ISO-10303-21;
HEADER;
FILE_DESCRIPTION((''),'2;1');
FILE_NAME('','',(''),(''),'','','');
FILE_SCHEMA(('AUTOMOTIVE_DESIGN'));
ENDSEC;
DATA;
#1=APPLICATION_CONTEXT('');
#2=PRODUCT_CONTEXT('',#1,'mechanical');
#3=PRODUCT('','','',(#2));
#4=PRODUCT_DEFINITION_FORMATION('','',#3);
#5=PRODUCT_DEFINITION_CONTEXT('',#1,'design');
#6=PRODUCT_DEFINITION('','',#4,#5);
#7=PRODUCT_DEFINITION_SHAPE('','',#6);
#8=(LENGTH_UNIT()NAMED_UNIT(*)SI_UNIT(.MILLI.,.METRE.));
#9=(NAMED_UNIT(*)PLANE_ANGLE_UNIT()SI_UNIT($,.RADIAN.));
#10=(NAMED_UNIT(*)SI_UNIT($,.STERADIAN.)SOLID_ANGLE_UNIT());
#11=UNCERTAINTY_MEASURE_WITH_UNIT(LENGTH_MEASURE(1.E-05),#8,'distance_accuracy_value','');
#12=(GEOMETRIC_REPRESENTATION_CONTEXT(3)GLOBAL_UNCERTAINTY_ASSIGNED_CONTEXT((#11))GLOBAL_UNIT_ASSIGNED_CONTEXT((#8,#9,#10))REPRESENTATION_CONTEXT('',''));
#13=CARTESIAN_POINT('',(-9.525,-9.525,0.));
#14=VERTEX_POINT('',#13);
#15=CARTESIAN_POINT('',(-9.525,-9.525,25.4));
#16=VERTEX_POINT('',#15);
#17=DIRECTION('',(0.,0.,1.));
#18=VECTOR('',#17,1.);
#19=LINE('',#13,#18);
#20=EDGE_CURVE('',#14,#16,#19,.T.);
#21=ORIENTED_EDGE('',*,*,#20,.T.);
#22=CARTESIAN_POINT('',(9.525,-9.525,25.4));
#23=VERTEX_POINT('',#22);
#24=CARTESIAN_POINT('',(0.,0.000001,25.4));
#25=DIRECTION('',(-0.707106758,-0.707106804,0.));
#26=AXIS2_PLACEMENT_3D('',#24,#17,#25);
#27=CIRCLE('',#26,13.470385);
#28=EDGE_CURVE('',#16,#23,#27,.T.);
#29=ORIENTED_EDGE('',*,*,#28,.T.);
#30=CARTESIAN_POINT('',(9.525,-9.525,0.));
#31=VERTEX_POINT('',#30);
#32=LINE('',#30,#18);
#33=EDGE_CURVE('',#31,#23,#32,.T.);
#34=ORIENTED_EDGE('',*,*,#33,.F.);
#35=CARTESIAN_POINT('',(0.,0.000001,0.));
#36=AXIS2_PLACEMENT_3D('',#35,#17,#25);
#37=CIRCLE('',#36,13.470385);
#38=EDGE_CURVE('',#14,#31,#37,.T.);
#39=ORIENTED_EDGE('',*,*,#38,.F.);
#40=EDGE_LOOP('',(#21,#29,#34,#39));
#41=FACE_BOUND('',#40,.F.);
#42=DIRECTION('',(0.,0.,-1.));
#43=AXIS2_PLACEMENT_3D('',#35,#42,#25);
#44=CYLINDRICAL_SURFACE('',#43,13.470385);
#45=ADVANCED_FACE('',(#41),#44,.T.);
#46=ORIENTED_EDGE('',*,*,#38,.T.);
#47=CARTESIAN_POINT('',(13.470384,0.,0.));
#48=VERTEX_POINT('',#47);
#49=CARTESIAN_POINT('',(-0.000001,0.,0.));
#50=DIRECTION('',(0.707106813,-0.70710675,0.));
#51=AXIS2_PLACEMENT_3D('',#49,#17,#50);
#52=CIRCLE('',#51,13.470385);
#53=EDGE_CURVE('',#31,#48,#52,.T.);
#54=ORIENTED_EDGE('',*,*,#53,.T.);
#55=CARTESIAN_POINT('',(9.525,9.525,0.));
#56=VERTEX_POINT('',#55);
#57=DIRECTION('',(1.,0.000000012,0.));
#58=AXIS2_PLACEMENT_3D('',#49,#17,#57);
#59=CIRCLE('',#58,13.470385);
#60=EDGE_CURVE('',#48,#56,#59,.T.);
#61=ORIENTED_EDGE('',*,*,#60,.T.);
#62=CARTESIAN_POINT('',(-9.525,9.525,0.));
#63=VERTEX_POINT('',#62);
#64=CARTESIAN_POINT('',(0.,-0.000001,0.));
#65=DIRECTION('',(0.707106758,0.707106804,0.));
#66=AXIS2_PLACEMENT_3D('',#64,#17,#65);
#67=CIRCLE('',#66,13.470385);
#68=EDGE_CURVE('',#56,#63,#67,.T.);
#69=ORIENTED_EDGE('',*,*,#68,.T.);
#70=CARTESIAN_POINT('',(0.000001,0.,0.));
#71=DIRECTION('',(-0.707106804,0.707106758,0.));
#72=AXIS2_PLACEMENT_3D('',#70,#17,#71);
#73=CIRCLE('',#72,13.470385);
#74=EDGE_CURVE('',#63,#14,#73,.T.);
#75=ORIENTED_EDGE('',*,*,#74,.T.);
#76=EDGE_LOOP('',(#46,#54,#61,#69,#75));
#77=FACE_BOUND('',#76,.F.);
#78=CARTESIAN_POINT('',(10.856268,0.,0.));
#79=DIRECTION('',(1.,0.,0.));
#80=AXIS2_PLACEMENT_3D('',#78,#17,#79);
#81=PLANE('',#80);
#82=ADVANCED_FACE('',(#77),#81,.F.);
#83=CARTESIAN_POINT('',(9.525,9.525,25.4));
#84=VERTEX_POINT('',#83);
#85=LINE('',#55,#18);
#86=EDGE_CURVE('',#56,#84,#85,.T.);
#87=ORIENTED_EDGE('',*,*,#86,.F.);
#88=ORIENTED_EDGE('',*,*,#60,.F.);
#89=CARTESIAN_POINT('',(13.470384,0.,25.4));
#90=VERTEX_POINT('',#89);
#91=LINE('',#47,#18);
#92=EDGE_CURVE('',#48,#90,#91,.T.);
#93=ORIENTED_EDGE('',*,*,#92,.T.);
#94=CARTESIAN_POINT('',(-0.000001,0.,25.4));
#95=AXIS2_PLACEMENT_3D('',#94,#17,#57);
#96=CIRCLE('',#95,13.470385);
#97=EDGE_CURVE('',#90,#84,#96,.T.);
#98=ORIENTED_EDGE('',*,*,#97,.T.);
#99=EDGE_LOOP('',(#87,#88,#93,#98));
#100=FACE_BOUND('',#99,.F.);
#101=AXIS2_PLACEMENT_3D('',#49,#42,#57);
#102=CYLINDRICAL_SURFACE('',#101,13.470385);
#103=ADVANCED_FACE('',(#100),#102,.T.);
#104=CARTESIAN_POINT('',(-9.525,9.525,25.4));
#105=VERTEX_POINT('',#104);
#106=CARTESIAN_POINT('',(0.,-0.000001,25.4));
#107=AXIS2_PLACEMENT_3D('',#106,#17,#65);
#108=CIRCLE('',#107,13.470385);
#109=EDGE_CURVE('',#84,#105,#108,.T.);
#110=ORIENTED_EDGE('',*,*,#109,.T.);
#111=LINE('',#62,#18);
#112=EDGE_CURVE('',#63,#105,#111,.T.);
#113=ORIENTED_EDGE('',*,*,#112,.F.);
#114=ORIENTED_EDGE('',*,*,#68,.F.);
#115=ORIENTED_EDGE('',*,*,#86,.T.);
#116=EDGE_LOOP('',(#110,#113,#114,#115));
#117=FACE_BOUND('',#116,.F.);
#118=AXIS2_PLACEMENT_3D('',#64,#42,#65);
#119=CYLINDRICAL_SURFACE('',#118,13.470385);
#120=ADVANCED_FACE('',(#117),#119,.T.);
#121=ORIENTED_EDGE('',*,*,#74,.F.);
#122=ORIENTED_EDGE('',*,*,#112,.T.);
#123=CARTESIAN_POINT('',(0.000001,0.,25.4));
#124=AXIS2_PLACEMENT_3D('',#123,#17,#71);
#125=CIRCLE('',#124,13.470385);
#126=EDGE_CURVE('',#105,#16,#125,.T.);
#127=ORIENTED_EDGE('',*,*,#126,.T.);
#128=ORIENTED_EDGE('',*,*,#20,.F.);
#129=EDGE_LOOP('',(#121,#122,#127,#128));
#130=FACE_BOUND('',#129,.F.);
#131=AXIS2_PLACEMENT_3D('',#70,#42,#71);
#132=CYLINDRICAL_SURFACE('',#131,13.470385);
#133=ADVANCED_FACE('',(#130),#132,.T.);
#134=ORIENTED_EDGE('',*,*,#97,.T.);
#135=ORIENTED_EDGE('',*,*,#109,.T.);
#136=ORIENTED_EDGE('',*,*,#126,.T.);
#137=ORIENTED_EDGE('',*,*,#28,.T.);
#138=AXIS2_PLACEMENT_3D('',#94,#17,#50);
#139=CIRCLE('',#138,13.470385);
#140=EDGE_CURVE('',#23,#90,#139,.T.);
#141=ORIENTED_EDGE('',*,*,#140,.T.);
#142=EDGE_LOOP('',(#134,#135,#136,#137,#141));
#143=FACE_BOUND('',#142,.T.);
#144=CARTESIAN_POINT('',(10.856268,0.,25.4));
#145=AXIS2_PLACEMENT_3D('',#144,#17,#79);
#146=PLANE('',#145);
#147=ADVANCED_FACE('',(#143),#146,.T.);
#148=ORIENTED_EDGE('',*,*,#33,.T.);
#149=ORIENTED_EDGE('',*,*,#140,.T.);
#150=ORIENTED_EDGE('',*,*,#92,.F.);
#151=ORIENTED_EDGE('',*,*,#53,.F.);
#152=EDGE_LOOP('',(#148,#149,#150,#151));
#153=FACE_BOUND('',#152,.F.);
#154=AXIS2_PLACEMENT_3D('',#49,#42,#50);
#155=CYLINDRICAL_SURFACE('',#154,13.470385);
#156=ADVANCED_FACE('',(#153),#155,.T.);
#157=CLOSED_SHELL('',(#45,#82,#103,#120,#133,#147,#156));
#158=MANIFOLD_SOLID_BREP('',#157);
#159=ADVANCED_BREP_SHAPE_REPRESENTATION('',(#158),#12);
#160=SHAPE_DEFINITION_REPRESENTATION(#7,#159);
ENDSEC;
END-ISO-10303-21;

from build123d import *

# Parameters (mm, degrees)
F0_W     = 19.05
F0_H     = 19.05
F1_DEPTH = 25.4


with BuildPart() as f1:
    # F0 (on Top) → F1 (new body)
    with BuildSketch(Plane.XY):
        with BuildLine():
            ThreePointArc((13.470384, 0), (12.445012, 5.154893), (9.525, 9.525))
            Line((9.525, 9.525), (9.525, -9.525))
            ThreePointArc((9.525, -9.525), (12.445012, -5.154893), (13.470384, 0))
        make_face()
        with BuildLine():
            ThreePointArc((9.525, 9.525), (0, 13.470384), (-9.525, 9.525))
            Line((-9.525, 9.525), (9.525, 9.525))
        make_face()
        with BuildLine():
            Line((-9.525, -9.525), (-9.525, 9.525))
            ThreePointArc((-9.525, 9.525), (-13.470384, 0), (-9.525, -9.525))
        make_face()
        with BuildLine():
            Line((9.525, -9.525), (-9.525, -9.525))
            ThreePointArc((-9.525, -9.525), (0, -13.470384), (9.525, -9.525))
        make_face()
        Rectangle(F0_W, F0_H)
    extrude(amount=F1_DEPTH)


solid = f1.part
